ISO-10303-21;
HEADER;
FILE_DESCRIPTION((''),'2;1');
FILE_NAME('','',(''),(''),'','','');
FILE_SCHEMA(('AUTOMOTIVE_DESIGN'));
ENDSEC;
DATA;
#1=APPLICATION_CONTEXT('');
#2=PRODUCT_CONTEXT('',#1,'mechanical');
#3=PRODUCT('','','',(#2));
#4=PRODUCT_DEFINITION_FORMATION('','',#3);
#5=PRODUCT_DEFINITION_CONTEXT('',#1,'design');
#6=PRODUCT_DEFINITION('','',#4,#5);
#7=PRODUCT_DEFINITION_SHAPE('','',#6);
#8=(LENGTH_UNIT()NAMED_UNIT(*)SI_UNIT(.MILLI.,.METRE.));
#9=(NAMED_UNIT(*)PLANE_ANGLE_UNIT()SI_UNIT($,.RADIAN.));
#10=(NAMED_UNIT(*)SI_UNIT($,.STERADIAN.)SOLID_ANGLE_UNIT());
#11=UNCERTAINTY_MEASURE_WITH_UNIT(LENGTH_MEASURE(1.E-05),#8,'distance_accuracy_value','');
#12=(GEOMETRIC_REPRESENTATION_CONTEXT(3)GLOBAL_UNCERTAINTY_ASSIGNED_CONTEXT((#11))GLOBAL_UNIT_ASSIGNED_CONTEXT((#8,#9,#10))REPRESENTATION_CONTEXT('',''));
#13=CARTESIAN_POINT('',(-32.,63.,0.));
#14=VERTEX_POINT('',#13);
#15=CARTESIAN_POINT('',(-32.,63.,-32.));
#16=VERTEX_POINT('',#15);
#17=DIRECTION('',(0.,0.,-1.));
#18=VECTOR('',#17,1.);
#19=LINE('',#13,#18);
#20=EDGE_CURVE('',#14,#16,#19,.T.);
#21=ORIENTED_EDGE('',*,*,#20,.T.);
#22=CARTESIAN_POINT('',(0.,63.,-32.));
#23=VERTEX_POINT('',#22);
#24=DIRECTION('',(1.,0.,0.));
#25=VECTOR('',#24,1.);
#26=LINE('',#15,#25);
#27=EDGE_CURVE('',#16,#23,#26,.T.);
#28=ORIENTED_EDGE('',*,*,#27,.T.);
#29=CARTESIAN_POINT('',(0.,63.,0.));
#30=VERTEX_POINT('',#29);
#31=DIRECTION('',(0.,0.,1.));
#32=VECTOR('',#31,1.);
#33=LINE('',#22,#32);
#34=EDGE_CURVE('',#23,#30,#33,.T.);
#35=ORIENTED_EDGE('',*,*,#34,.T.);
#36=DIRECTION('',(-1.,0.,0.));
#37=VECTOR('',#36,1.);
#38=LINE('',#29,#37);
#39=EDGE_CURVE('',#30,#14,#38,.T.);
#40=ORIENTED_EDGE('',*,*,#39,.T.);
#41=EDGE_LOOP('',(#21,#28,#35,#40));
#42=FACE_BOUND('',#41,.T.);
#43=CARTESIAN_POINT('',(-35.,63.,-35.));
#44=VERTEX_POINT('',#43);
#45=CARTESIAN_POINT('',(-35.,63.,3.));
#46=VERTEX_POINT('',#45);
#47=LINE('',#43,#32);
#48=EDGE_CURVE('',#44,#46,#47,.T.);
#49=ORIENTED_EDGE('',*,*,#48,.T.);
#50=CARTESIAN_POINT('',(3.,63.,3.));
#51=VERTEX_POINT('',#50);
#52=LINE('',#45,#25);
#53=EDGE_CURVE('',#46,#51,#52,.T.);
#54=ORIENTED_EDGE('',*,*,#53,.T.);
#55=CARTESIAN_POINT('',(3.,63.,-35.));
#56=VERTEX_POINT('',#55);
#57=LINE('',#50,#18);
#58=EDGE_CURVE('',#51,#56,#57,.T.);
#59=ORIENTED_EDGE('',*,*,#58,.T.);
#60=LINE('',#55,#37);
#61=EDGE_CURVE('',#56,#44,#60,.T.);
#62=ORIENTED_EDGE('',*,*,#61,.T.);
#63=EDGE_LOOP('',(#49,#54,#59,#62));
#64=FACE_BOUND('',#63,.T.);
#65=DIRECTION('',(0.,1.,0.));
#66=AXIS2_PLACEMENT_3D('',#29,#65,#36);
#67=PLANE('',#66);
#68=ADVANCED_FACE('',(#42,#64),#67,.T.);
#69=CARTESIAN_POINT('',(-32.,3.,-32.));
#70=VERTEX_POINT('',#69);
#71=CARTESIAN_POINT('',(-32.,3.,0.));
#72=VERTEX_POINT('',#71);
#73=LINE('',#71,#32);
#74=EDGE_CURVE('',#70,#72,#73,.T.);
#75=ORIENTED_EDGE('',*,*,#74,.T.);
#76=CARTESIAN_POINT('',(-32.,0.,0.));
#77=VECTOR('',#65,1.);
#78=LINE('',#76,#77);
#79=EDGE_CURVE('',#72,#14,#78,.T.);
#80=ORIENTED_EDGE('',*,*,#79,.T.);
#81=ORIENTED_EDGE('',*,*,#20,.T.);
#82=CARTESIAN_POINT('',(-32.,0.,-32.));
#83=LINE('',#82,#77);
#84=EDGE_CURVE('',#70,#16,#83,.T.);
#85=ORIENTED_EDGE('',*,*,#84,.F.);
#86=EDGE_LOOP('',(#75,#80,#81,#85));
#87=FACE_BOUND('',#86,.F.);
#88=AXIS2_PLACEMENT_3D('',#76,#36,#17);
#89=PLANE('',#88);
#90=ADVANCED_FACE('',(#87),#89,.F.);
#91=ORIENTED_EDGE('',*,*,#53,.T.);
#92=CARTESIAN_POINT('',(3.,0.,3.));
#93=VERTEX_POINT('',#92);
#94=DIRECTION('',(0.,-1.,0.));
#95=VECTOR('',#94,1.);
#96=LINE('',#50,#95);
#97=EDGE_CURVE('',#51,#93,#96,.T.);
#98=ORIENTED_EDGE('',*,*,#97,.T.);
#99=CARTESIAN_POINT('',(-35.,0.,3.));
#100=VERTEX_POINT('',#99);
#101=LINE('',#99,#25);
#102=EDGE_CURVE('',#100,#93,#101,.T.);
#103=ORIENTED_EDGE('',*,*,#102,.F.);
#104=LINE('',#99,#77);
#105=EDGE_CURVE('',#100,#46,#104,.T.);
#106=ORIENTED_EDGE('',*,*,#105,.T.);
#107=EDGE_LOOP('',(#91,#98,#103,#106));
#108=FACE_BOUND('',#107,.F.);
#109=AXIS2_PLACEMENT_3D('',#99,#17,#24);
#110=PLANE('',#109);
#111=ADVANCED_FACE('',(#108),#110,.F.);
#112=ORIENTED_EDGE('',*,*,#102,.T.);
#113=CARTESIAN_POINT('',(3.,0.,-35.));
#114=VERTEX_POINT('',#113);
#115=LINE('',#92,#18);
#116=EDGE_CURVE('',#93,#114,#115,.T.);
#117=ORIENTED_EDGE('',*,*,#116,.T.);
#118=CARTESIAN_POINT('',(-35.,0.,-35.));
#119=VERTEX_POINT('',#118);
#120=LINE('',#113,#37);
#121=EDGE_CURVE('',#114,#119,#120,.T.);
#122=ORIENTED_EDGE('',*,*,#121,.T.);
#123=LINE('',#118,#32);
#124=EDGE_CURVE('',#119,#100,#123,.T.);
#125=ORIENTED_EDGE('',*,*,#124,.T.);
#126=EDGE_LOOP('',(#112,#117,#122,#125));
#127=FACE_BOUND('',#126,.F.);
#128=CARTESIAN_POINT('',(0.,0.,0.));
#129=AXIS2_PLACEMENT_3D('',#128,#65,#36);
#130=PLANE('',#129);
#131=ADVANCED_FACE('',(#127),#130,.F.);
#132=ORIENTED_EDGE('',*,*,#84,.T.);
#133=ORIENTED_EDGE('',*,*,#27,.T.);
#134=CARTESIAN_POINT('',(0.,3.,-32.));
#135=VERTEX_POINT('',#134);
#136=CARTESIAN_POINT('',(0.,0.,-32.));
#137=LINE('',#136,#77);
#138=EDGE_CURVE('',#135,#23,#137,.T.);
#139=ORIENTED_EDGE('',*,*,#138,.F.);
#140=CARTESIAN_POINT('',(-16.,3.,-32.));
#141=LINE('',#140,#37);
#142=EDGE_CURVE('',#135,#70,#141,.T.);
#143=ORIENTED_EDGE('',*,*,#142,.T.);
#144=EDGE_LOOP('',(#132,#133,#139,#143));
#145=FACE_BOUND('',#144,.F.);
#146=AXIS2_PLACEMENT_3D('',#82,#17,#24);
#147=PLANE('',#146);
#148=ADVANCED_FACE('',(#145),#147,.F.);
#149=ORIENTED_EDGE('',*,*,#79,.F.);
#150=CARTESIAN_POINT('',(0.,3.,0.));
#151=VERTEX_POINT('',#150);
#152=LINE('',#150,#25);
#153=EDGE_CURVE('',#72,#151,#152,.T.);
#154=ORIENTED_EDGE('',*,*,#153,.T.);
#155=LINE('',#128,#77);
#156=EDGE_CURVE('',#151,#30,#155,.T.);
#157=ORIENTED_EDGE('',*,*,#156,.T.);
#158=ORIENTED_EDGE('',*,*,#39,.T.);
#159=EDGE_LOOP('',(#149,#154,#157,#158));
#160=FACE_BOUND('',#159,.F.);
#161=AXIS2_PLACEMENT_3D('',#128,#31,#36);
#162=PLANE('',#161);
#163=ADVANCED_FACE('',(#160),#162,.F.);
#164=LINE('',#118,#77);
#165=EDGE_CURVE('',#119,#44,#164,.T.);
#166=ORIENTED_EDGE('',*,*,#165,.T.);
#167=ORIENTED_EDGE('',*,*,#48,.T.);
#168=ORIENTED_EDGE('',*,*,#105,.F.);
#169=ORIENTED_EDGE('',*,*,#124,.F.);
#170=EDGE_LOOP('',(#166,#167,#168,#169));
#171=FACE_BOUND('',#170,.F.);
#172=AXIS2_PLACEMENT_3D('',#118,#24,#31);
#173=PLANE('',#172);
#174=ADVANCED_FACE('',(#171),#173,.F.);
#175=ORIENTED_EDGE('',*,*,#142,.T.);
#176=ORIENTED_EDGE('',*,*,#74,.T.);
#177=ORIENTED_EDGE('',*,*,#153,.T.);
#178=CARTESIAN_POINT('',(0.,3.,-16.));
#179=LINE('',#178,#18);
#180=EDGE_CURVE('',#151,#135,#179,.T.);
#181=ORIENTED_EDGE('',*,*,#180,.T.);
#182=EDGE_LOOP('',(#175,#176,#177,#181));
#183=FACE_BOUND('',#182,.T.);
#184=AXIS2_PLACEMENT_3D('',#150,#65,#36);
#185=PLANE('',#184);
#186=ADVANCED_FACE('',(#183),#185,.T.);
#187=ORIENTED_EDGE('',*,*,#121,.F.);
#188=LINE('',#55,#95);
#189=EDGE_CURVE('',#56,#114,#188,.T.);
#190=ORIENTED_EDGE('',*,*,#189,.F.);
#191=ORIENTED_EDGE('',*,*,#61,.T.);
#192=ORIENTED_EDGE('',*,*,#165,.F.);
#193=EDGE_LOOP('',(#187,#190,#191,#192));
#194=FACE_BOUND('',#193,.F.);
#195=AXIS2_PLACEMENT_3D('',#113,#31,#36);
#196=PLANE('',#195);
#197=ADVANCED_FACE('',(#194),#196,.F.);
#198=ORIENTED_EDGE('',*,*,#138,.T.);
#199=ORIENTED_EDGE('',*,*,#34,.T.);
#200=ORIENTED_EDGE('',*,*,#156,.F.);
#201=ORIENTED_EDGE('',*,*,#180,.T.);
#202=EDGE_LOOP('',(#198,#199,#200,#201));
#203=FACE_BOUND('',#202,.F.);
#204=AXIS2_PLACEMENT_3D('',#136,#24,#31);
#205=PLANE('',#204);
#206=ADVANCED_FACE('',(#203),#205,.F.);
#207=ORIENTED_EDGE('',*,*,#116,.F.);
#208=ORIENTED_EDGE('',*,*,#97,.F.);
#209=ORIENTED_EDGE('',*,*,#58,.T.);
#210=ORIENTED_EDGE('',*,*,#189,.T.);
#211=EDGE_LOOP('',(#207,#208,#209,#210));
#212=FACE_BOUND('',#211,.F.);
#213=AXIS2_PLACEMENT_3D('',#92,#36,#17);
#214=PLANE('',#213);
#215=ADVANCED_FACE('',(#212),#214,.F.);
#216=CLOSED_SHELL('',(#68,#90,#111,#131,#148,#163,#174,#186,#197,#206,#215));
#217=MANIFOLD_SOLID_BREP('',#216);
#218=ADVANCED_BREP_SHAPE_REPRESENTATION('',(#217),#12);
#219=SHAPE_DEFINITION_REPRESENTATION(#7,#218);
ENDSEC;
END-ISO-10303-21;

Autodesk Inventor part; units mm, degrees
ref_plane "YZ Plane" through (0, 0, 0) normal (1, 0, 0) x (0, 1, 0)
ref_plane "XZ Plane" through (0, 0, 0) normal (0, 1, 0) x (-1, 0, 0)
ref_plane "XY Plane" through (0, 0, 0) normal (0, 0, 1) x (1, 0, 0)
sketch "Sketch1" plane through (0, 0, 0) normal (0, 1, 0) x (-1, 0, 0)
  line L0 (0, 0) -> (32, 0)
  line L1 (32, 0) -> (32, -32)
  line L2 (32, -32) -> (0, -32)
  line L3 (0, -32) -> (0, 0)
  line L4 (0, -32) -> (0, 0)
  line L5 (35, -35) -> (35, 3)
  line L6 (35, 3) -> (-3, 3)
  line L7 (-3, 3) -> (-3, -35)
  line L8 (-3, -35) -> (35, -35)
  point P0 (0, -33)
  point P1 (0, -37)
  point P2 (0, 4)
  dimension "d0" = 32
  dimension "d1" = 32
  dimension "d5" = 3
extrude "Extrusion1" add sketch "Sketch1" along normal blind 3 contours L0 L1 L2 L3 | L8 L7 L6 L5
extrude "Extrusion4" add sketch "Sketch1" along normal blind 63
equation "\"d1\" = d0"
properties part number "single"
